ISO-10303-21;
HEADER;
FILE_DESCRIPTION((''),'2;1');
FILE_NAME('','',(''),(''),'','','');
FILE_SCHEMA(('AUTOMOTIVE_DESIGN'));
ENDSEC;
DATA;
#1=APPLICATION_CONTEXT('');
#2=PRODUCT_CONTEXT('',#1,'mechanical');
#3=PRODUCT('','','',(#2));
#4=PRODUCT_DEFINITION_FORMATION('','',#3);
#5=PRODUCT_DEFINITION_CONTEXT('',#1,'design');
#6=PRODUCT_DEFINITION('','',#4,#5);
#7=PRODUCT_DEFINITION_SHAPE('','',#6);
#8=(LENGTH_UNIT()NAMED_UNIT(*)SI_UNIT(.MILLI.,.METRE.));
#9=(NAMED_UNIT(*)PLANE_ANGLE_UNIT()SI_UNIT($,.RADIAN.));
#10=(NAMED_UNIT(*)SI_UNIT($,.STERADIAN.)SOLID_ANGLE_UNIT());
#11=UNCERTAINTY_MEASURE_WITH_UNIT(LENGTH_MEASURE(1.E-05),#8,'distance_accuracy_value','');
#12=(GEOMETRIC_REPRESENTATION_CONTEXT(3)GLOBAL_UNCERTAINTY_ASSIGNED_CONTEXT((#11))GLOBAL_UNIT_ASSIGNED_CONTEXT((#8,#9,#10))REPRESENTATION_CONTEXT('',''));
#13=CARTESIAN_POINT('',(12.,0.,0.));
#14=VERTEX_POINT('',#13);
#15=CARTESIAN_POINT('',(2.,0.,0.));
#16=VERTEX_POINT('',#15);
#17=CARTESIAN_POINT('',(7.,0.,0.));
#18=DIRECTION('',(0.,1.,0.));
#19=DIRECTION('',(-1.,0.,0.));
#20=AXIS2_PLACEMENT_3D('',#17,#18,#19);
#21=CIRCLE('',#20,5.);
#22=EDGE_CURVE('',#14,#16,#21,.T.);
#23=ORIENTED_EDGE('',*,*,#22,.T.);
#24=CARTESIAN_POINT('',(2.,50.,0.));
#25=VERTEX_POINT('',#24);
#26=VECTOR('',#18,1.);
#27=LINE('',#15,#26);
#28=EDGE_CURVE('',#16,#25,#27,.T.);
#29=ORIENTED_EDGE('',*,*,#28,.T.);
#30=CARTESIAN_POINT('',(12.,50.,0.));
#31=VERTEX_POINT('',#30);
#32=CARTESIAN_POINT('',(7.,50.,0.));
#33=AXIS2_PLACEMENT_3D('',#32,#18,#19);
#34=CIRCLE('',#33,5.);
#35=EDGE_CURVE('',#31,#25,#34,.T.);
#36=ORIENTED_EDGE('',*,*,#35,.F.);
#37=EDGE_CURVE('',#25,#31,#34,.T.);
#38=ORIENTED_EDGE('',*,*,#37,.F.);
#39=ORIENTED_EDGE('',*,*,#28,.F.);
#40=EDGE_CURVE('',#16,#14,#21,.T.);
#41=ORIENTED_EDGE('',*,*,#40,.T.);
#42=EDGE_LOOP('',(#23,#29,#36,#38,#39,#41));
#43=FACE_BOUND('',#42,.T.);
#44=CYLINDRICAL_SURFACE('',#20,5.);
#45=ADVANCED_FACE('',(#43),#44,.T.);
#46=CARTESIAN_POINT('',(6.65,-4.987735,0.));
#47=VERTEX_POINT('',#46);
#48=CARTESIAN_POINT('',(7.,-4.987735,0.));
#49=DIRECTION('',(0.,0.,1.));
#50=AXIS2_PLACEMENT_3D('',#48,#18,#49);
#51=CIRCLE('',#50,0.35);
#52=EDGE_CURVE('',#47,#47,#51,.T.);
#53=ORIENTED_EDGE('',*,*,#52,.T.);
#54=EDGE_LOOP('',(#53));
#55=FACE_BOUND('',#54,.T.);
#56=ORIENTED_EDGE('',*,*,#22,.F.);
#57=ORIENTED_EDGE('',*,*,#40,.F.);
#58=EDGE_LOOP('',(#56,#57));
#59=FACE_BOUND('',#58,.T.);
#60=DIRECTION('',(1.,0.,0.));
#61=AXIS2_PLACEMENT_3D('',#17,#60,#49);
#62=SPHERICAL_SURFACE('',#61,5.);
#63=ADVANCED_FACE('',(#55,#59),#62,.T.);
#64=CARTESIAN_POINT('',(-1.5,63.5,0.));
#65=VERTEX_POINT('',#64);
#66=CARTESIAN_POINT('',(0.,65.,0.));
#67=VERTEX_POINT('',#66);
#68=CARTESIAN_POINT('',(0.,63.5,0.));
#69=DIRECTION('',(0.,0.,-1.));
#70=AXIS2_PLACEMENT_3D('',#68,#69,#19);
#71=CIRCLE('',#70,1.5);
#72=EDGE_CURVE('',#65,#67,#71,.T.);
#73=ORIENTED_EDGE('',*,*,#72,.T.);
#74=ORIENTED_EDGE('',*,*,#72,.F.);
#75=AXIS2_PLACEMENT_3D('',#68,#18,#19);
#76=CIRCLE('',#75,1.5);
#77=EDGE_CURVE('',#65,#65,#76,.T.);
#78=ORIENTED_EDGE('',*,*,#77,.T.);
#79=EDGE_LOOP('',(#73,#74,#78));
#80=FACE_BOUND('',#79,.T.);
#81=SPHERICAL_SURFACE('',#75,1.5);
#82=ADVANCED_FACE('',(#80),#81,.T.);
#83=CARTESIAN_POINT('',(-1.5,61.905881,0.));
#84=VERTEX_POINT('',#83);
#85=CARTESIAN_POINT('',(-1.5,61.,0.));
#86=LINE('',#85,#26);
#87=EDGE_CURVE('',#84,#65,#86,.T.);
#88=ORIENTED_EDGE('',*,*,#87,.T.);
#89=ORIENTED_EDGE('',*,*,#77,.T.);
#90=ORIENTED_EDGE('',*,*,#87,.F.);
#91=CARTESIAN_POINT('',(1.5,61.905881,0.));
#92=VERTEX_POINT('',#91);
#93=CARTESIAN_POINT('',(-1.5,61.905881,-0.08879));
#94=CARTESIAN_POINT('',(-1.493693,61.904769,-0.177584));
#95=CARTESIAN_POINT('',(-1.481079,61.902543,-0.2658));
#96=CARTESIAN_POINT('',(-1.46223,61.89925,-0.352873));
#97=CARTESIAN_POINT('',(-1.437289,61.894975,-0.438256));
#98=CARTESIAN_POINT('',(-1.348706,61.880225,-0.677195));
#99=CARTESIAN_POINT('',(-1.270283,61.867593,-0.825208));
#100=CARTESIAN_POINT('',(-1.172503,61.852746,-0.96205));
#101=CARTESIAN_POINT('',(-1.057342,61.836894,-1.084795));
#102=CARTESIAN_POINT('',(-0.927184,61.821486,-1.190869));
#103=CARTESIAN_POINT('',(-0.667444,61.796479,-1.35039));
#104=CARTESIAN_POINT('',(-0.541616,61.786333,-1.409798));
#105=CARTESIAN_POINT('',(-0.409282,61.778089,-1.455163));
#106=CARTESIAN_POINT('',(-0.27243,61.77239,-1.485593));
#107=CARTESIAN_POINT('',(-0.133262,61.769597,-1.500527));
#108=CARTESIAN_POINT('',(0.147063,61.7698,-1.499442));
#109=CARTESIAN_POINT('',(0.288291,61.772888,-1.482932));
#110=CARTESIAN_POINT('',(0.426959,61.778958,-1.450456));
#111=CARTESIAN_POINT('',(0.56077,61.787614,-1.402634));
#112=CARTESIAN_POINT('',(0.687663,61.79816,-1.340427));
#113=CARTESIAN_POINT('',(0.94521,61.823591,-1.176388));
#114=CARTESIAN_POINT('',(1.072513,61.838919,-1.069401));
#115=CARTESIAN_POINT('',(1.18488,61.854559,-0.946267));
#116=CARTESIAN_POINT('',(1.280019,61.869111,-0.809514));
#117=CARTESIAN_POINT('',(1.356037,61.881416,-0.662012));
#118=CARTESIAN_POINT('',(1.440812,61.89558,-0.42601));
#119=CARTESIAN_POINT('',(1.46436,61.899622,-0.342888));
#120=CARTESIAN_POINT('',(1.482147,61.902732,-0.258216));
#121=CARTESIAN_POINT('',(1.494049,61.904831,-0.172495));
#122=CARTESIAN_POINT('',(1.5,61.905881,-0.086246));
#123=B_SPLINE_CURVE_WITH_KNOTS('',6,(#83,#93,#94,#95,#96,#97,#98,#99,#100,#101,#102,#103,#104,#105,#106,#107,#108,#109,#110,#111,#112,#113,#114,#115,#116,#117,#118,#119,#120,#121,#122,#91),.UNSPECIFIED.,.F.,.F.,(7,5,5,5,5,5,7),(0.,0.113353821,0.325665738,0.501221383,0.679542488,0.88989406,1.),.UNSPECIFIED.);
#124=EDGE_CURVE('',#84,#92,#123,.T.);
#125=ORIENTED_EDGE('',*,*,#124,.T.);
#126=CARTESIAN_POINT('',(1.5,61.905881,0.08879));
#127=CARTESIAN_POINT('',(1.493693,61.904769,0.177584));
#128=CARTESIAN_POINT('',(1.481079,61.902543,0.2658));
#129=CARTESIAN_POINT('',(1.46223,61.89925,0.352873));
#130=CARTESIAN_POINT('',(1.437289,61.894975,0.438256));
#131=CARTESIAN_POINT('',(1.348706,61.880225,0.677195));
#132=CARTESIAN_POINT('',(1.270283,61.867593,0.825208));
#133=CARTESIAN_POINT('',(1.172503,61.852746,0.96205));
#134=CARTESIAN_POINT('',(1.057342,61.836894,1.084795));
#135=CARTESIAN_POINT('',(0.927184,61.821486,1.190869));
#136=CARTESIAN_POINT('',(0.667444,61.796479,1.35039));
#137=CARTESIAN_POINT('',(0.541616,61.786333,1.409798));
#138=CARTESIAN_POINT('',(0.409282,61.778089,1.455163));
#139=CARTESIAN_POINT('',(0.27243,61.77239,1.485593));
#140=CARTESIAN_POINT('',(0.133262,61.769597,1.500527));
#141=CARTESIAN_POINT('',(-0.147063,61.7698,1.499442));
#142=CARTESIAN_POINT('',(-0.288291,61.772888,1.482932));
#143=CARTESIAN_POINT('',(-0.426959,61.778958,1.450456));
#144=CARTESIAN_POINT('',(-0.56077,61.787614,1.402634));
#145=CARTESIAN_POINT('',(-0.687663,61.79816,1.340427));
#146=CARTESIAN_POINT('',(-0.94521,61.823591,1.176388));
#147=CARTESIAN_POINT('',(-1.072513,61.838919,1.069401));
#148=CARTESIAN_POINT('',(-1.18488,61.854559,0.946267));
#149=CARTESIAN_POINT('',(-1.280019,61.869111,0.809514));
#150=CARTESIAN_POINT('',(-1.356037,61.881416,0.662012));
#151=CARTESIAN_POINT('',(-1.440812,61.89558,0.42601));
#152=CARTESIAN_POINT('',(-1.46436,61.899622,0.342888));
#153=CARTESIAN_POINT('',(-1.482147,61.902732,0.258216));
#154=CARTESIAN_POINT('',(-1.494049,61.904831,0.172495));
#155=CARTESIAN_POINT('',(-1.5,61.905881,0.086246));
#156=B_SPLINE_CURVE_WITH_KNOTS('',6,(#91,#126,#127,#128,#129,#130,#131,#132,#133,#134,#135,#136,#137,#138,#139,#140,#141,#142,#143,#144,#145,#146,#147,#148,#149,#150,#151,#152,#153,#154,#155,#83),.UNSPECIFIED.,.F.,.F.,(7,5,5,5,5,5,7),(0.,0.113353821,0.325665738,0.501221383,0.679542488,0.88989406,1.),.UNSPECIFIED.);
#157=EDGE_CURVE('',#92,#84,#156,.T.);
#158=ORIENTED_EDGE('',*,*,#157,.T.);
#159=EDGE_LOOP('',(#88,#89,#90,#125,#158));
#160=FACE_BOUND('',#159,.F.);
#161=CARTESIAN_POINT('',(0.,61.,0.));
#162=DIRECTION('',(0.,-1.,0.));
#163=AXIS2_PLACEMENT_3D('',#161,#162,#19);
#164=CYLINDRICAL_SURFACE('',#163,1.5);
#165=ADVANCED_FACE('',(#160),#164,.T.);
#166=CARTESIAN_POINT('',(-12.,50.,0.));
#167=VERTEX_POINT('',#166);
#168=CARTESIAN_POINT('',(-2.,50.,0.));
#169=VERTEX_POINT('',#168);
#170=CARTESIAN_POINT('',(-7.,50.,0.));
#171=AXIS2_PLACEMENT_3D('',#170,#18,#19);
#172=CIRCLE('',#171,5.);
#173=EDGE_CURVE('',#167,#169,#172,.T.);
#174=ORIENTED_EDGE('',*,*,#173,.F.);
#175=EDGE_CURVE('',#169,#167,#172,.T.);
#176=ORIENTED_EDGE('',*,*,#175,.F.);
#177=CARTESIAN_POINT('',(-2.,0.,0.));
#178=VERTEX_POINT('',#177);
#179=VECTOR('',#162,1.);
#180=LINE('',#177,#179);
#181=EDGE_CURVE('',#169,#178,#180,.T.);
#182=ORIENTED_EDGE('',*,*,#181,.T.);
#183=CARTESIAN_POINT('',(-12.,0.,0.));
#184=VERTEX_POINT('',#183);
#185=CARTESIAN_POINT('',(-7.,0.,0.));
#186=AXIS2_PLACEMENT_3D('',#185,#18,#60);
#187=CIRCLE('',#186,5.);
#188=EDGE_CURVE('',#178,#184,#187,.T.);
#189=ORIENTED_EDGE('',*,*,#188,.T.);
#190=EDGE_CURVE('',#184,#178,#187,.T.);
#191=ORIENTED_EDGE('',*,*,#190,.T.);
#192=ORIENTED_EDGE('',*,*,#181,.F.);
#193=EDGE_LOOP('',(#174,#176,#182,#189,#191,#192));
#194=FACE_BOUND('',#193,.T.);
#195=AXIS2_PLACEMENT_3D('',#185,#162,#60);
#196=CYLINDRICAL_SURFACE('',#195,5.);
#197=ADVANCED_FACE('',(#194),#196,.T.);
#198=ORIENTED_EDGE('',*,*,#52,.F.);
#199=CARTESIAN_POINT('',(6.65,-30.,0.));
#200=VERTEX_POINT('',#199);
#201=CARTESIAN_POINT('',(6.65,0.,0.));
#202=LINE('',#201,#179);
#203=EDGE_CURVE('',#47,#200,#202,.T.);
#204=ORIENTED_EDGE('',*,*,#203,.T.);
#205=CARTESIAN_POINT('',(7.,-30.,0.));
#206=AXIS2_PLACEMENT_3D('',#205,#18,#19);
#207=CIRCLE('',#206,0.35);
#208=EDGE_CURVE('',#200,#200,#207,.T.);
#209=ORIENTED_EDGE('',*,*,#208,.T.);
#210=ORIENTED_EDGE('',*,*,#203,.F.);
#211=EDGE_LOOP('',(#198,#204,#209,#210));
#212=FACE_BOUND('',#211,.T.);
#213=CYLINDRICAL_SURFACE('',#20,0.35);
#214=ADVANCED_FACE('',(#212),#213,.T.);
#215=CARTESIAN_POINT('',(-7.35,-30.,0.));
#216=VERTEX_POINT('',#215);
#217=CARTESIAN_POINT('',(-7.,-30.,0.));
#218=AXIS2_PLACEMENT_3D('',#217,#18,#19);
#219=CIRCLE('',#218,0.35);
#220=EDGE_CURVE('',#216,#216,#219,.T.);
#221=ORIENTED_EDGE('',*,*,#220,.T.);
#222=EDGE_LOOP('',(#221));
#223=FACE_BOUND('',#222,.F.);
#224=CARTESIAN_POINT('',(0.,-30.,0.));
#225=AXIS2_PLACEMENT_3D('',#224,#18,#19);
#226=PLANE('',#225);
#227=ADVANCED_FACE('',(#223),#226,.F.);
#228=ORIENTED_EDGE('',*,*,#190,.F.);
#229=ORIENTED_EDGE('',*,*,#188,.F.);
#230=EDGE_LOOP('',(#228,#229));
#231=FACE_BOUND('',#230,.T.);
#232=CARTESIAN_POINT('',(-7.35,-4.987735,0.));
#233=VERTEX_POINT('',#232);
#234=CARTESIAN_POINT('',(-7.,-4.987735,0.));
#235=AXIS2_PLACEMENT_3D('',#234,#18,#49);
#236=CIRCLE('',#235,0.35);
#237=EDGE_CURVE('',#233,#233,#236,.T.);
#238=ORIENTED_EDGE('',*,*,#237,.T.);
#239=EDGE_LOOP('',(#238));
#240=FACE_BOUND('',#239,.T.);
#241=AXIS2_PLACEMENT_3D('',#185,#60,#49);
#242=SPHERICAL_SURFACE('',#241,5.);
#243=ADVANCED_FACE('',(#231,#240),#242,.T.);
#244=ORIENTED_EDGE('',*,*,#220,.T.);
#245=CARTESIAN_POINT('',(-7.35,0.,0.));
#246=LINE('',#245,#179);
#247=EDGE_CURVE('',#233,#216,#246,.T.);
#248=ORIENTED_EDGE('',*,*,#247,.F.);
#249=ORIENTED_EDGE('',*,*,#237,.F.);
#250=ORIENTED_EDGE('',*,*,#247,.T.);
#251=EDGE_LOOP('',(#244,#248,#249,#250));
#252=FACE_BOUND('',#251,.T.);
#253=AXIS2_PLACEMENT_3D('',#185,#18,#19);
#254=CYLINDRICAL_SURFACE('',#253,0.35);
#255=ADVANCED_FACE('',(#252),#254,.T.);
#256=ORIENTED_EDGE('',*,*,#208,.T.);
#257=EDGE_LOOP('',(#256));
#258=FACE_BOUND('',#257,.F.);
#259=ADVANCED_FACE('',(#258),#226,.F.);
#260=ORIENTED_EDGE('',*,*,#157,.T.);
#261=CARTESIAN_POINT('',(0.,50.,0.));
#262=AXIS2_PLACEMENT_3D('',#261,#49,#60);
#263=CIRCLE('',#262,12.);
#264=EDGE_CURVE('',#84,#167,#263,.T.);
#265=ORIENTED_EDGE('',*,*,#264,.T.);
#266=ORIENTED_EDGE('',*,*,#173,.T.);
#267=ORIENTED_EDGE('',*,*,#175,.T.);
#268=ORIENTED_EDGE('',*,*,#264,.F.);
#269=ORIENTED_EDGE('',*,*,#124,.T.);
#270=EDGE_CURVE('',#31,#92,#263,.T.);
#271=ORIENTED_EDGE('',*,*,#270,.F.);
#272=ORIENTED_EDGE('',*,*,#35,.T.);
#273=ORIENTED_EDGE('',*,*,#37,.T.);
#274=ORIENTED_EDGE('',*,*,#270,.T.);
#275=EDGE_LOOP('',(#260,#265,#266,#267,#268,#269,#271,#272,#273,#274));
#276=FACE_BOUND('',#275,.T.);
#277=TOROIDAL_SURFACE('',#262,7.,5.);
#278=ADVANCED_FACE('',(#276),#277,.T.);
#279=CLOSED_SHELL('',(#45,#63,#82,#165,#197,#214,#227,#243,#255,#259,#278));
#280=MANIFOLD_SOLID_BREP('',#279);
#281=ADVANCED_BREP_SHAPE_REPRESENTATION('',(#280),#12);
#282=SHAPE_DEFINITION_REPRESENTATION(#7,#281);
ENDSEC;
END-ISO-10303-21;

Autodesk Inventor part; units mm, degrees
ref_plane "YZ Plane" through (0, 0, 0) normal (1, 0, 0) x (0, 1, 0)
ref_plane "XY Plane" through (0, 0, 0) normal (0, 0, 1) x (1, 0, 0)
sketch "Sketch1" plane through (0, 0, 0) normal (0, 1, 0) x (-1, 0, 0)
  circle A0 centre (7, 0) radius 5
  circle A1 centre (-7, 0) radius 5
  line L0 (7, 0) -> (-7, 0) construction
  line L1 (12, 0) -> (2, 0)
  line L2 (-2, 0) -> (-12, 0)
  circle A2 centre (-7, 0) radius 0.35
  circle A3 centre (7, 0) radius 0.35
  point P0 (0, 0)
  point P1 (0, 0)
  dimension "d0" = 10
  dimension "d1" = 14
  dimension "d8" = 0.7
sketch "Sketch2" plane through (0, 0, 0) normal (0, 0, 1) x (1, 0, 0)
  line L0 (7, 0) -> (7, 50)
  line L1 (-7, 0) -> (-7, 50)
  line L2 (-7, 0) -> (7, 0) construction
  arc A0 (7, 50) -> (-7, 50) centre (0, 50) ccw
  point P0 (0, 0)
  point P1 (0, 0)
  dimension "d2" = 14
  dimension "d3" = 50
sweep "Sweep1" add profiles "Sketch1" path "Sketch2" contours L2 A2 A1 | A1 L2 A2 | A2 L2 | L2 A2
revolve "Revolution1" add sketch "Sketch1" angle 360 about axis through (-7, 0, 0) along (1, 0, 0) picked at (3.6018, 0.4268) picked at (7.0663, 0.096) contours L1 A3 A0 | L1 A3
revolve "Revolution2" add sketch "Sketch1" angle 360 about axis through (2, 0, 0) along (1, 0, 0) picked at (-10.3982, 0.4268) picked at (-6.9337, 0.096) contours L2 A2 A1 | L2 A2
extrude "Extrusion1" add sketch "Sketch1" against normal blind 30 contours A3 L1 | L1 A3 | A2 L2 | L2 A2
ref_plane "Work Plane1" through (0, 61, 0) normal (0, 1, 0) x (-1, 0, 0)
sketch "Sketch3" plane through (0, 61, 0) normal (0, 1, 0) x (-1, 0, 0)
  circle A0 centre (0, 0) radius 1.5
  dimension "d12" = 3
extrude "Extrusion2" add sketch "Sketch3" along normal blind 4
fillet "Fillet1" radius 1.5 1 edges at (1.5, 65, 0)
properties part number "Flashbulb-DU8902" material "Phenolic Resin"
